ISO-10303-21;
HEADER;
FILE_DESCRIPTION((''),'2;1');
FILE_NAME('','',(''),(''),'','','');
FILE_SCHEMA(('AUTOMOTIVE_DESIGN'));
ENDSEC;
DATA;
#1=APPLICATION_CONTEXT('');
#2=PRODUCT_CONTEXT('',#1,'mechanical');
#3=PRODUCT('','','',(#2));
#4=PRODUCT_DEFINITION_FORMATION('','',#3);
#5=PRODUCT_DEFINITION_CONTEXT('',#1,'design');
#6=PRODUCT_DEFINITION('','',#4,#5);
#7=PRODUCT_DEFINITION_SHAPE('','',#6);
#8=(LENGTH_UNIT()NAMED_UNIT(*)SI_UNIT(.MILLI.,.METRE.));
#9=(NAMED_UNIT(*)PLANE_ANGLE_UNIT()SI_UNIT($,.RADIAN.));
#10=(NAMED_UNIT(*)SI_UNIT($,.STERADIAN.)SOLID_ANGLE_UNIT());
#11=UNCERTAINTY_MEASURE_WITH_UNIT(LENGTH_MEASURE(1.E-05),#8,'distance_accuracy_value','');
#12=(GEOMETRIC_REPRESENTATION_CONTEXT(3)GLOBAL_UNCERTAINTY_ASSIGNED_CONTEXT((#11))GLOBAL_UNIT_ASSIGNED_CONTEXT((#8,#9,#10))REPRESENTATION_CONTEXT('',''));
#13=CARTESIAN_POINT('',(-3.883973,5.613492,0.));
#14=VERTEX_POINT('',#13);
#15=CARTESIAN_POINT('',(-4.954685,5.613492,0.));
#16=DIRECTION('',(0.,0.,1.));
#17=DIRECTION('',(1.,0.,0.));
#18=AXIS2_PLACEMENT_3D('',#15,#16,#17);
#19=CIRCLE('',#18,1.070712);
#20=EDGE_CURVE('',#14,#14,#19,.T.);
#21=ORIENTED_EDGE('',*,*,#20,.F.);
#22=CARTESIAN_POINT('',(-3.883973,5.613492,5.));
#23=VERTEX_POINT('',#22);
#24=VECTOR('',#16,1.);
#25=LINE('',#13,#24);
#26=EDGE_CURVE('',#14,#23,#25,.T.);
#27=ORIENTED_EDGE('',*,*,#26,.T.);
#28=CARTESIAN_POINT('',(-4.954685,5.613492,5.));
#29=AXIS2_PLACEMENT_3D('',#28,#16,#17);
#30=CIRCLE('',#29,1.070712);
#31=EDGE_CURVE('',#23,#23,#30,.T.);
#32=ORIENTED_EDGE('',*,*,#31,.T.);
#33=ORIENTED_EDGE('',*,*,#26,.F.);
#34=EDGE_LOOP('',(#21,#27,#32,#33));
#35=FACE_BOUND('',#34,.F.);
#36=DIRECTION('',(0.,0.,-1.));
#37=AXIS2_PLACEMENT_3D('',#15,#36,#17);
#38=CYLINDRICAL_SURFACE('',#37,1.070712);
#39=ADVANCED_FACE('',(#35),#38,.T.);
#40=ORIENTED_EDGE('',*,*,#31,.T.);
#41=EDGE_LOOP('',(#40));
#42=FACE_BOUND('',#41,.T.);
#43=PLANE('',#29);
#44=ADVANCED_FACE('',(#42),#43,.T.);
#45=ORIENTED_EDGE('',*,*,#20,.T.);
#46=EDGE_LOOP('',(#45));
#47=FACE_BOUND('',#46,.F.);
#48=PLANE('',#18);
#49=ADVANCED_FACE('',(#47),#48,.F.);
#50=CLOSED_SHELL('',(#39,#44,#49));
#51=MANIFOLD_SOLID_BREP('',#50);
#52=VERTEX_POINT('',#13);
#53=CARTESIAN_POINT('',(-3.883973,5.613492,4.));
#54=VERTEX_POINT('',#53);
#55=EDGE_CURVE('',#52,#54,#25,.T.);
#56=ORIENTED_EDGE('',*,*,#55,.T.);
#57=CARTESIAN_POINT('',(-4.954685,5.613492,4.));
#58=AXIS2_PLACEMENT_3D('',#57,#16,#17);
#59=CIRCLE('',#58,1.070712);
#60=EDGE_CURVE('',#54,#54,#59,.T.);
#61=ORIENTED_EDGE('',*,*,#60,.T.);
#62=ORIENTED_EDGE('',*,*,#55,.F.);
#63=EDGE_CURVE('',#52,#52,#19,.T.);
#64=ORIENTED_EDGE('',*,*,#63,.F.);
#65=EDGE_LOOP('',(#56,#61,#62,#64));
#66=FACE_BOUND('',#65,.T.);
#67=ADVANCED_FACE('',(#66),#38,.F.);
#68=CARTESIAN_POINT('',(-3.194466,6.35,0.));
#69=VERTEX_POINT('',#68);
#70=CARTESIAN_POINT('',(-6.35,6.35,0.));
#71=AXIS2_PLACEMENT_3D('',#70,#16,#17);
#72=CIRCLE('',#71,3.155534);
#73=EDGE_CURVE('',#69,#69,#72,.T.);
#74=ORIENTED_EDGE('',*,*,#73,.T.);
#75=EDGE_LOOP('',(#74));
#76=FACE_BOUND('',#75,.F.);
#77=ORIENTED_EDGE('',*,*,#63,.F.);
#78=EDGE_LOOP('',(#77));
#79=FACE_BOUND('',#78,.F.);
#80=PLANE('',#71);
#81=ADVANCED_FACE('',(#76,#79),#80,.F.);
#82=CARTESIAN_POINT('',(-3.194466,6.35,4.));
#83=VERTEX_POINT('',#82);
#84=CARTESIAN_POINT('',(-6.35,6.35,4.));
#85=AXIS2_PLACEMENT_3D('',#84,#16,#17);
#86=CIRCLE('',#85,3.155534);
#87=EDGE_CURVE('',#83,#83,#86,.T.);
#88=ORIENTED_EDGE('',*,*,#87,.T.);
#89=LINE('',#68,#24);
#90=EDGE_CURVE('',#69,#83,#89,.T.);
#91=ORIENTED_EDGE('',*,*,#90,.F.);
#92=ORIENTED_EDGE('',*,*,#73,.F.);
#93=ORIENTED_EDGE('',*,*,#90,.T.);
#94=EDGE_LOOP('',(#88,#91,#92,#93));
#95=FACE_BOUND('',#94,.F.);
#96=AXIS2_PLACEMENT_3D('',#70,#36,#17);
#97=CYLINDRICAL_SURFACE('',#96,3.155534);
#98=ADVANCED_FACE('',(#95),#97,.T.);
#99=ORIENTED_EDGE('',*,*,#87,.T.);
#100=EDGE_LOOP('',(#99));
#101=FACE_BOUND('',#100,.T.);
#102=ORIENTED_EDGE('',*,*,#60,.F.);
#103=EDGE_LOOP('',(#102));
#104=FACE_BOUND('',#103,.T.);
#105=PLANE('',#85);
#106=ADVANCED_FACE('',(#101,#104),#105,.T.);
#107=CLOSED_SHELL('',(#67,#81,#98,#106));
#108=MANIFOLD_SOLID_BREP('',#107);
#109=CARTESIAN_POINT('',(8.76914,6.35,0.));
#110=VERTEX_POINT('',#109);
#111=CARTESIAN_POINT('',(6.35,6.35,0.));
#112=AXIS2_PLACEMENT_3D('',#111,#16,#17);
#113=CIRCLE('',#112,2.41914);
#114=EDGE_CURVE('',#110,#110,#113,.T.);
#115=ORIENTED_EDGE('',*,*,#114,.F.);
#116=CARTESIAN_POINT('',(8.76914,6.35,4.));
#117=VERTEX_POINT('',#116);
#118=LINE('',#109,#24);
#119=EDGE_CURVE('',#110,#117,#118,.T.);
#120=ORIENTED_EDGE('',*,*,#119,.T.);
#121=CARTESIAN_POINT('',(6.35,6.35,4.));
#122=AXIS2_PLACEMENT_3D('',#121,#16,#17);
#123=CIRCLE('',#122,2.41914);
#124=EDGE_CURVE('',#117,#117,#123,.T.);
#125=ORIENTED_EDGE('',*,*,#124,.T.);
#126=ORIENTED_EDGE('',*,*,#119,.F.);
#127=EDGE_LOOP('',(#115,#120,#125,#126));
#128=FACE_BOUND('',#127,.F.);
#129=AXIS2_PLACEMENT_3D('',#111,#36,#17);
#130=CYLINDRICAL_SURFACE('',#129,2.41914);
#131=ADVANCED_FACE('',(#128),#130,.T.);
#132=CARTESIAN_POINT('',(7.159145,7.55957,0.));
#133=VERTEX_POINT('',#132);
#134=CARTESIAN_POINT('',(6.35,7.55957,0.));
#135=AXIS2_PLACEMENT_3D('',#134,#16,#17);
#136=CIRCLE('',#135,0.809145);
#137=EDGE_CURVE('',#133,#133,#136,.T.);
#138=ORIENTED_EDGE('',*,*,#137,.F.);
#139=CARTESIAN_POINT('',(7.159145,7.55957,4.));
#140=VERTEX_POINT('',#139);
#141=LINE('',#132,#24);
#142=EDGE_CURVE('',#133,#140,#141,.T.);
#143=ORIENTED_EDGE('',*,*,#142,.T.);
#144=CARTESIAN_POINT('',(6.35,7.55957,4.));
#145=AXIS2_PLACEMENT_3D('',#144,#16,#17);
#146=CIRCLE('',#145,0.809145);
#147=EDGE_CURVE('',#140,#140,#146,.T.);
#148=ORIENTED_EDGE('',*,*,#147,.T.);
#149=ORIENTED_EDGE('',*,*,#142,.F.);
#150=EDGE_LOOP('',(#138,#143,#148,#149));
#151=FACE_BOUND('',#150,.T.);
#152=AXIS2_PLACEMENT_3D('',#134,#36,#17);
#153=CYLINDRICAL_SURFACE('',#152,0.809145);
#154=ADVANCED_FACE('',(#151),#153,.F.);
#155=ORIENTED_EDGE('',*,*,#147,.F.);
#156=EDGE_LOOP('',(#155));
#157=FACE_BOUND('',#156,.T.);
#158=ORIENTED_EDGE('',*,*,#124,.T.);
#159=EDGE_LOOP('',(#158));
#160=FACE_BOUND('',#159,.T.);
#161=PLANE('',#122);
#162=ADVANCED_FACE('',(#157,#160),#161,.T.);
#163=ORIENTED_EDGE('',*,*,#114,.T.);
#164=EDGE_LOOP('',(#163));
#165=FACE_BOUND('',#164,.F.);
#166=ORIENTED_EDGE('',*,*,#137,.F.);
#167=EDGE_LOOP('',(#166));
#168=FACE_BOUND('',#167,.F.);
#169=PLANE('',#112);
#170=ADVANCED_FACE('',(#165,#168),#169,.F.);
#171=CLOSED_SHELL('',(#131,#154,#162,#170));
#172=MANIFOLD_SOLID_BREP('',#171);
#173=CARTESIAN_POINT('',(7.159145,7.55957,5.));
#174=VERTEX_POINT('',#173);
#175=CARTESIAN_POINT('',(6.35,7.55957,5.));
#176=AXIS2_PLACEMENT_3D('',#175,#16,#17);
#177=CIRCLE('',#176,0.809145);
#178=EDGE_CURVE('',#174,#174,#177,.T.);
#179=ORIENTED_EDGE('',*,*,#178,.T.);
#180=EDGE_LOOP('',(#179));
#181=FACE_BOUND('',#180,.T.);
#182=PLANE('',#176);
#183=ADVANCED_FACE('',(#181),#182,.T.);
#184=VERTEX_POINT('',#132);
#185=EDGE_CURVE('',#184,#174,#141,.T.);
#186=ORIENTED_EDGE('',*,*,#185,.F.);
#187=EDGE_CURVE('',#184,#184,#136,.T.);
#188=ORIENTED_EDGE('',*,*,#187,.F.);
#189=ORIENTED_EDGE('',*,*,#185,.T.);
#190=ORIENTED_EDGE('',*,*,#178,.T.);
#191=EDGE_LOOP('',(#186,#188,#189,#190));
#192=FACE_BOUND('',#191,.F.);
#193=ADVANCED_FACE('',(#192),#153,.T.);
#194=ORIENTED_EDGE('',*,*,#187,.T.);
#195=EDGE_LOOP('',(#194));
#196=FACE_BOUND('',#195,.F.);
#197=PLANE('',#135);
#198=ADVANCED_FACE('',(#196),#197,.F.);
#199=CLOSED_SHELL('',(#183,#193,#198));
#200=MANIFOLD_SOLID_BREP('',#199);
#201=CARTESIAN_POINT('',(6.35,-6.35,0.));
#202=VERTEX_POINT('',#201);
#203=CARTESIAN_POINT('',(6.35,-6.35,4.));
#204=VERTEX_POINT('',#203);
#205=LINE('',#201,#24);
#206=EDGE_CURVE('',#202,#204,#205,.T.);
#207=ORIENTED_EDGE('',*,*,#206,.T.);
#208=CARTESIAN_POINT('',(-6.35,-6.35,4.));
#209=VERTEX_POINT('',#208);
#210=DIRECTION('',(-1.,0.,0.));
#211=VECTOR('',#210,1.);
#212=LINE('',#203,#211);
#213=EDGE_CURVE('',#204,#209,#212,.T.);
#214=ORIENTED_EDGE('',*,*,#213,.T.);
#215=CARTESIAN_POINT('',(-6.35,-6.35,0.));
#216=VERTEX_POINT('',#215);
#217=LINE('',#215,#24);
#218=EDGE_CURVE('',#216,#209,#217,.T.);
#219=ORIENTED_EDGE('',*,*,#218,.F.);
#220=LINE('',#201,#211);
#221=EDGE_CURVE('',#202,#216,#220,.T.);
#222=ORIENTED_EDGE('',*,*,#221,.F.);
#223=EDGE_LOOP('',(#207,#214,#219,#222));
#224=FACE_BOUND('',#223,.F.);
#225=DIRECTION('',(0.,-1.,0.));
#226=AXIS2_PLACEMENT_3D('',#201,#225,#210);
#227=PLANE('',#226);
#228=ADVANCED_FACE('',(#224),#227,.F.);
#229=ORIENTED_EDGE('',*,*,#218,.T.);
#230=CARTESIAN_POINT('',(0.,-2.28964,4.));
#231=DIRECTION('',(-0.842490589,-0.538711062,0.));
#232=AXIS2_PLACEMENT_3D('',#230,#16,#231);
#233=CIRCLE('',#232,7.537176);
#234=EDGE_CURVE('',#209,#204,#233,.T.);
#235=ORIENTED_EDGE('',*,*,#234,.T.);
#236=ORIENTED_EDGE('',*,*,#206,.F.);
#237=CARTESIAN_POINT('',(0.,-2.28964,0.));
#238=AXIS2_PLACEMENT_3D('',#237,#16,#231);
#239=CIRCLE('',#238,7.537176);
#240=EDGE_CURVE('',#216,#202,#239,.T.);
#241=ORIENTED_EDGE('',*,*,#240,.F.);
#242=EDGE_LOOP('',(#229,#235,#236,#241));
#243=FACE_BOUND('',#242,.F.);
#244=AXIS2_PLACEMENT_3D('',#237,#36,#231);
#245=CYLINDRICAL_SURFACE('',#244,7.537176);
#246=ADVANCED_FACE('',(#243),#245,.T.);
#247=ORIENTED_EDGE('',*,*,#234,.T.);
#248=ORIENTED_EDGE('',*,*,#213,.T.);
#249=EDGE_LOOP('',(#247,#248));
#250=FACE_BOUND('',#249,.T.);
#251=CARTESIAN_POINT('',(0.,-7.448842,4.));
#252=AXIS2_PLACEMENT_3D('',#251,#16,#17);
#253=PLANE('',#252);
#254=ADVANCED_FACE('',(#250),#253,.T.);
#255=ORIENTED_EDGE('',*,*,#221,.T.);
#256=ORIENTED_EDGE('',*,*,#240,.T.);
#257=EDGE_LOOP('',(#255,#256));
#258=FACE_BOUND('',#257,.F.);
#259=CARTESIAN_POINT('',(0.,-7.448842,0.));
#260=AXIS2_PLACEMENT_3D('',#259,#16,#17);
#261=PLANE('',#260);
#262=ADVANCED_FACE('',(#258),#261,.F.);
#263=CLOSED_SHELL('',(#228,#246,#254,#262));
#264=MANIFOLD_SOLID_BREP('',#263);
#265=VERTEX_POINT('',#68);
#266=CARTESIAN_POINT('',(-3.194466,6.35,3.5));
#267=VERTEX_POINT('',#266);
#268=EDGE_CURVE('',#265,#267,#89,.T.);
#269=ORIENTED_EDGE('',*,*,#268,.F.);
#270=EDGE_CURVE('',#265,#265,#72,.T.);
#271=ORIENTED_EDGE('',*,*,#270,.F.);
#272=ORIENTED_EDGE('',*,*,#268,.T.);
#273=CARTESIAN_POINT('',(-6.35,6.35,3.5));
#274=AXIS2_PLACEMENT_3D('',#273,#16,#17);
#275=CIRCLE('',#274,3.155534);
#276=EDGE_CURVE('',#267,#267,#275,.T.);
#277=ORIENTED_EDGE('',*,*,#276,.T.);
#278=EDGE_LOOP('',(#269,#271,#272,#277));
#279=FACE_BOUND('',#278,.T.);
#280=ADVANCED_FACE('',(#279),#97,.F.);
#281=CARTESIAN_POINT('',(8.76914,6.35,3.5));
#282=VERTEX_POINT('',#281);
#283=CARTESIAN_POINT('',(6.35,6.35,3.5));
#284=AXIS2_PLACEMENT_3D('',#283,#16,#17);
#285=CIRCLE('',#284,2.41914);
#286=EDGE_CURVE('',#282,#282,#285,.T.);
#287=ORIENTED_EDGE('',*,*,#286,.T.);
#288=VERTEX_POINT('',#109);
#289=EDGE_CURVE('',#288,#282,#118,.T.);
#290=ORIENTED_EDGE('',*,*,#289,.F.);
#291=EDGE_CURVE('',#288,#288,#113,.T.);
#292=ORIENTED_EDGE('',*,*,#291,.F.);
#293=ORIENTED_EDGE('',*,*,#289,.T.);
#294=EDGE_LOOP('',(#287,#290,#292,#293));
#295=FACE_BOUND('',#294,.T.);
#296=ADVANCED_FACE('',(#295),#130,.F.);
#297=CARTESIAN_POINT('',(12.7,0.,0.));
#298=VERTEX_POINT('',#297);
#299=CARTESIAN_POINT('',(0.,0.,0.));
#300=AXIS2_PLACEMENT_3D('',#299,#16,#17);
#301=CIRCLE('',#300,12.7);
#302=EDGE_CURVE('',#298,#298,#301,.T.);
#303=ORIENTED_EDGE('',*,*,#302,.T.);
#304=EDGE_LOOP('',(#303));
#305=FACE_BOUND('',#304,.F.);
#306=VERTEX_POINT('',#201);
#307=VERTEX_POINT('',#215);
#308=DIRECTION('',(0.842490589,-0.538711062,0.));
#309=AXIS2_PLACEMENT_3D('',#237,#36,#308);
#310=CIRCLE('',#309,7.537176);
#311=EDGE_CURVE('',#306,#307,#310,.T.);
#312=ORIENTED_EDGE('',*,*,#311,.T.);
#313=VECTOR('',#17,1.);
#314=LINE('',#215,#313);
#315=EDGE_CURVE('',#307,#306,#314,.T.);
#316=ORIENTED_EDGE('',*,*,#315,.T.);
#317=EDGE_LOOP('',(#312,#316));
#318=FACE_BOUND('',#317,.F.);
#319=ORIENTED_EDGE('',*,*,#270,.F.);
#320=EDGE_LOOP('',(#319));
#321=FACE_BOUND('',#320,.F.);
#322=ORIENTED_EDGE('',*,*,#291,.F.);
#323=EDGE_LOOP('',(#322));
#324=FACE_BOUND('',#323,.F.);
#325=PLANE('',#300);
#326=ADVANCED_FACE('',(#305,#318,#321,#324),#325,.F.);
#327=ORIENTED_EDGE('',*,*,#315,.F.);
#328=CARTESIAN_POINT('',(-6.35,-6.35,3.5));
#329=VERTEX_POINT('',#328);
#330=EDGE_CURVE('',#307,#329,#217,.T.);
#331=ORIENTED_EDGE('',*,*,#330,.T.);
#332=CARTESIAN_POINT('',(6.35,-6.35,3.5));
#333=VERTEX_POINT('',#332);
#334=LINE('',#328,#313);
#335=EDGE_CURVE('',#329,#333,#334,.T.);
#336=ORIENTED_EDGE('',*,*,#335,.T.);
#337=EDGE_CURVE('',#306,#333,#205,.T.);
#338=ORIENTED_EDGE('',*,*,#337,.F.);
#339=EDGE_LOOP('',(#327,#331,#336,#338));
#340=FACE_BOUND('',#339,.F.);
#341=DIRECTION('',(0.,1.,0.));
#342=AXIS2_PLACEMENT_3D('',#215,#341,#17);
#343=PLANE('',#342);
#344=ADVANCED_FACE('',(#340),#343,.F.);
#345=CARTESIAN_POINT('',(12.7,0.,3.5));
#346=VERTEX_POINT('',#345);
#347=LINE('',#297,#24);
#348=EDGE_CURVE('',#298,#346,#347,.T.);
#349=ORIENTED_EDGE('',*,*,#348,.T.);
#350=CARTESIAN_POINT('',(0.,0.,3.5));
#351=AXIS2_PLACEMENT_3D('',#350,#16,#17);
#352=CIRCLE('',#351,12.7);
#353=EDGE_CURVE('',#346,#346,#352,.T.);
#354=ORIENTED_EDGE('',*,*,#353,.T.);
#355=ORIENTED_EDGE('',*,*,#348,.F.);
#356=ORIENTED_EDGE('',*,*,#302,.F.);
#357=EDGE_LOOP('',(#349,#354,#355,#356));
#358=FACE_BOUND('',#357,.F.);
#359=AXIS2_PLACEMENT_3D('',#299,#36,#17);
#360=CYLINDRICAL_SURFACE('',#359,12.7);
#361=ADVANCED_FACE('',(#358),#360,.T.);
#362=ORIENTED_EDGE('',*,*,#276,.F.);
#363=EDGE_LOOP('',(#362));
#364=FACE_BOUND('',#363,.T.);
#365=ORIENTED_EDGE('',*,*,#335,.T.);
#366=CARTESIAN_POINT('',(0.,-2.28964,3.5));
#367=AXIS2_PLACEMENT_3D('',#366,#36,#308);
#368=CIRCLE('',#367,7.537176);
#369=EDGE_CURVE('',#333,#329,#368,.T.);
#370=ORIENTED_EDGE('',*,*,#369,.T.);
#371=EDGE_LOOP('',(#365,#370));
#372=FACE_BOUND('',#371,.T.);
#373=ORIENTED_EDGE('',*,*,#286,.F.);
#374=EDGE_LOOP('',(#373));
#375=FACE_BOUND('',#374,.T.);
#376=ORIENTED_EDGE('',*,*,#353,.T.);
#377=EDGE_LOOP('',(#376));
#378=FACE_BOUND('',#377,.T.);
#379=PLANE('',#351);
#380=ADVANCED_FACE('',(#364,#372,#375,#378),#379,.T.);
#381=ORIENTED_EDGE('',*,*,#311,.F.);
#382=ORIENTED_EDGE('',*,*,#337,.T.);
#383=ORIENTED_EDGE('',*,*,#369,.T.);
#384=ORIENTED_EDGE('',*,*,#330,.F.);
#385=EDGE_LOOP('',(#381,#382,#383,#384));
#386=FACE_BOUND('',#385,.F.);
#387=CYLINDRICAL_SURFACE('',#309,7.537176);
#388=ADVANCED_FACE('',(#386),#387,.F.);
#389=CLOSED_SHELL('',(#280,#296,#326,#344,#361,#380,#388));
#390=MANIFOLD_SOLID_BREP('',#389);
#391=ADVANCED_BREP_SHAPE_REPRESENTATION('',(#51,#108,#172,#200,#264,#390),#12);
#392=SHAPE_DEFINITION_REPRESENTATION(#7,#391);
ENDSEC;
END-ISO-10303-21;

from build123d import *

# Parameters (mm, degrees)
F0_R     = 1.070712
F0_R_2   = 0.809145
F1_DEPTH = 5
F0_R_3   = 3.155534
F0_R_4   = 2.41914
F2_DEPTH = 4
F0_R_5   = 12.7
F3_DEPTH = 3.5


with BuildPart() as f1:
    # F0 (on Top) → F1 (new body)
    with BuildSketch(Plane.XY):
        with Locations((-4.954685, 5.613492)):
            Circle(F0_R)
        with Locations((6.35, 7.55957)):
            Circle(F0_R_2)
    extrude(amount=F1_DEPTH)


with BuildPart() as f2:
    # F0 (on Top) → F2 (new body)
    with BuildSketch(Plane.XY):
        with Locations((-6.35, 6.35)):
            Circle(F0_R_3)
        with Locations((-4.954685, 5.613492)):
            Circle(F0_R, mode=Mode.SUBTRACT)
        with Locations((6.35, 6.35)):
            Circle(F0_R_4)
        with Locations((6.35, 7.55957)):
            Circle(F0_R_2, mode=Mode.SUBTRACT)
        with BuildLine():
            Line((6.35, -6.35), (-6.35, -6.35))
            ThreePointArc((-6.35, -6.35), (0, -9.826816), (6.35, -6.35))
        make_face()
    extrude(amount=F2_DEPTH)


with BuildPart() as f3:
    # F0 (on Top) → F3 (new body)
    with BuildSketch(Plane.XY):
        Circle(F0_R_5)
        with BuildLine():
            ThreePointArc((6.35, -6.35), (0, -9.826816), (-6.35, -6.35))
            Line((-6.35, -6.35), (6.35, -6.35))
        make_face(mode=Mode.SUBTRACT)
        with Locations((-6.35, 6.35)):
            Circle(F0_R_3, mode=Mode.SUBTRACT)
        with Locations((6.35, 6.35)):
            Circle(F0_R_4, mode=Mode.SUBTRACT)
    extrude(amount=F3_DEPTH)


solid = Compound([f1.part, f2.part, f3.part])
